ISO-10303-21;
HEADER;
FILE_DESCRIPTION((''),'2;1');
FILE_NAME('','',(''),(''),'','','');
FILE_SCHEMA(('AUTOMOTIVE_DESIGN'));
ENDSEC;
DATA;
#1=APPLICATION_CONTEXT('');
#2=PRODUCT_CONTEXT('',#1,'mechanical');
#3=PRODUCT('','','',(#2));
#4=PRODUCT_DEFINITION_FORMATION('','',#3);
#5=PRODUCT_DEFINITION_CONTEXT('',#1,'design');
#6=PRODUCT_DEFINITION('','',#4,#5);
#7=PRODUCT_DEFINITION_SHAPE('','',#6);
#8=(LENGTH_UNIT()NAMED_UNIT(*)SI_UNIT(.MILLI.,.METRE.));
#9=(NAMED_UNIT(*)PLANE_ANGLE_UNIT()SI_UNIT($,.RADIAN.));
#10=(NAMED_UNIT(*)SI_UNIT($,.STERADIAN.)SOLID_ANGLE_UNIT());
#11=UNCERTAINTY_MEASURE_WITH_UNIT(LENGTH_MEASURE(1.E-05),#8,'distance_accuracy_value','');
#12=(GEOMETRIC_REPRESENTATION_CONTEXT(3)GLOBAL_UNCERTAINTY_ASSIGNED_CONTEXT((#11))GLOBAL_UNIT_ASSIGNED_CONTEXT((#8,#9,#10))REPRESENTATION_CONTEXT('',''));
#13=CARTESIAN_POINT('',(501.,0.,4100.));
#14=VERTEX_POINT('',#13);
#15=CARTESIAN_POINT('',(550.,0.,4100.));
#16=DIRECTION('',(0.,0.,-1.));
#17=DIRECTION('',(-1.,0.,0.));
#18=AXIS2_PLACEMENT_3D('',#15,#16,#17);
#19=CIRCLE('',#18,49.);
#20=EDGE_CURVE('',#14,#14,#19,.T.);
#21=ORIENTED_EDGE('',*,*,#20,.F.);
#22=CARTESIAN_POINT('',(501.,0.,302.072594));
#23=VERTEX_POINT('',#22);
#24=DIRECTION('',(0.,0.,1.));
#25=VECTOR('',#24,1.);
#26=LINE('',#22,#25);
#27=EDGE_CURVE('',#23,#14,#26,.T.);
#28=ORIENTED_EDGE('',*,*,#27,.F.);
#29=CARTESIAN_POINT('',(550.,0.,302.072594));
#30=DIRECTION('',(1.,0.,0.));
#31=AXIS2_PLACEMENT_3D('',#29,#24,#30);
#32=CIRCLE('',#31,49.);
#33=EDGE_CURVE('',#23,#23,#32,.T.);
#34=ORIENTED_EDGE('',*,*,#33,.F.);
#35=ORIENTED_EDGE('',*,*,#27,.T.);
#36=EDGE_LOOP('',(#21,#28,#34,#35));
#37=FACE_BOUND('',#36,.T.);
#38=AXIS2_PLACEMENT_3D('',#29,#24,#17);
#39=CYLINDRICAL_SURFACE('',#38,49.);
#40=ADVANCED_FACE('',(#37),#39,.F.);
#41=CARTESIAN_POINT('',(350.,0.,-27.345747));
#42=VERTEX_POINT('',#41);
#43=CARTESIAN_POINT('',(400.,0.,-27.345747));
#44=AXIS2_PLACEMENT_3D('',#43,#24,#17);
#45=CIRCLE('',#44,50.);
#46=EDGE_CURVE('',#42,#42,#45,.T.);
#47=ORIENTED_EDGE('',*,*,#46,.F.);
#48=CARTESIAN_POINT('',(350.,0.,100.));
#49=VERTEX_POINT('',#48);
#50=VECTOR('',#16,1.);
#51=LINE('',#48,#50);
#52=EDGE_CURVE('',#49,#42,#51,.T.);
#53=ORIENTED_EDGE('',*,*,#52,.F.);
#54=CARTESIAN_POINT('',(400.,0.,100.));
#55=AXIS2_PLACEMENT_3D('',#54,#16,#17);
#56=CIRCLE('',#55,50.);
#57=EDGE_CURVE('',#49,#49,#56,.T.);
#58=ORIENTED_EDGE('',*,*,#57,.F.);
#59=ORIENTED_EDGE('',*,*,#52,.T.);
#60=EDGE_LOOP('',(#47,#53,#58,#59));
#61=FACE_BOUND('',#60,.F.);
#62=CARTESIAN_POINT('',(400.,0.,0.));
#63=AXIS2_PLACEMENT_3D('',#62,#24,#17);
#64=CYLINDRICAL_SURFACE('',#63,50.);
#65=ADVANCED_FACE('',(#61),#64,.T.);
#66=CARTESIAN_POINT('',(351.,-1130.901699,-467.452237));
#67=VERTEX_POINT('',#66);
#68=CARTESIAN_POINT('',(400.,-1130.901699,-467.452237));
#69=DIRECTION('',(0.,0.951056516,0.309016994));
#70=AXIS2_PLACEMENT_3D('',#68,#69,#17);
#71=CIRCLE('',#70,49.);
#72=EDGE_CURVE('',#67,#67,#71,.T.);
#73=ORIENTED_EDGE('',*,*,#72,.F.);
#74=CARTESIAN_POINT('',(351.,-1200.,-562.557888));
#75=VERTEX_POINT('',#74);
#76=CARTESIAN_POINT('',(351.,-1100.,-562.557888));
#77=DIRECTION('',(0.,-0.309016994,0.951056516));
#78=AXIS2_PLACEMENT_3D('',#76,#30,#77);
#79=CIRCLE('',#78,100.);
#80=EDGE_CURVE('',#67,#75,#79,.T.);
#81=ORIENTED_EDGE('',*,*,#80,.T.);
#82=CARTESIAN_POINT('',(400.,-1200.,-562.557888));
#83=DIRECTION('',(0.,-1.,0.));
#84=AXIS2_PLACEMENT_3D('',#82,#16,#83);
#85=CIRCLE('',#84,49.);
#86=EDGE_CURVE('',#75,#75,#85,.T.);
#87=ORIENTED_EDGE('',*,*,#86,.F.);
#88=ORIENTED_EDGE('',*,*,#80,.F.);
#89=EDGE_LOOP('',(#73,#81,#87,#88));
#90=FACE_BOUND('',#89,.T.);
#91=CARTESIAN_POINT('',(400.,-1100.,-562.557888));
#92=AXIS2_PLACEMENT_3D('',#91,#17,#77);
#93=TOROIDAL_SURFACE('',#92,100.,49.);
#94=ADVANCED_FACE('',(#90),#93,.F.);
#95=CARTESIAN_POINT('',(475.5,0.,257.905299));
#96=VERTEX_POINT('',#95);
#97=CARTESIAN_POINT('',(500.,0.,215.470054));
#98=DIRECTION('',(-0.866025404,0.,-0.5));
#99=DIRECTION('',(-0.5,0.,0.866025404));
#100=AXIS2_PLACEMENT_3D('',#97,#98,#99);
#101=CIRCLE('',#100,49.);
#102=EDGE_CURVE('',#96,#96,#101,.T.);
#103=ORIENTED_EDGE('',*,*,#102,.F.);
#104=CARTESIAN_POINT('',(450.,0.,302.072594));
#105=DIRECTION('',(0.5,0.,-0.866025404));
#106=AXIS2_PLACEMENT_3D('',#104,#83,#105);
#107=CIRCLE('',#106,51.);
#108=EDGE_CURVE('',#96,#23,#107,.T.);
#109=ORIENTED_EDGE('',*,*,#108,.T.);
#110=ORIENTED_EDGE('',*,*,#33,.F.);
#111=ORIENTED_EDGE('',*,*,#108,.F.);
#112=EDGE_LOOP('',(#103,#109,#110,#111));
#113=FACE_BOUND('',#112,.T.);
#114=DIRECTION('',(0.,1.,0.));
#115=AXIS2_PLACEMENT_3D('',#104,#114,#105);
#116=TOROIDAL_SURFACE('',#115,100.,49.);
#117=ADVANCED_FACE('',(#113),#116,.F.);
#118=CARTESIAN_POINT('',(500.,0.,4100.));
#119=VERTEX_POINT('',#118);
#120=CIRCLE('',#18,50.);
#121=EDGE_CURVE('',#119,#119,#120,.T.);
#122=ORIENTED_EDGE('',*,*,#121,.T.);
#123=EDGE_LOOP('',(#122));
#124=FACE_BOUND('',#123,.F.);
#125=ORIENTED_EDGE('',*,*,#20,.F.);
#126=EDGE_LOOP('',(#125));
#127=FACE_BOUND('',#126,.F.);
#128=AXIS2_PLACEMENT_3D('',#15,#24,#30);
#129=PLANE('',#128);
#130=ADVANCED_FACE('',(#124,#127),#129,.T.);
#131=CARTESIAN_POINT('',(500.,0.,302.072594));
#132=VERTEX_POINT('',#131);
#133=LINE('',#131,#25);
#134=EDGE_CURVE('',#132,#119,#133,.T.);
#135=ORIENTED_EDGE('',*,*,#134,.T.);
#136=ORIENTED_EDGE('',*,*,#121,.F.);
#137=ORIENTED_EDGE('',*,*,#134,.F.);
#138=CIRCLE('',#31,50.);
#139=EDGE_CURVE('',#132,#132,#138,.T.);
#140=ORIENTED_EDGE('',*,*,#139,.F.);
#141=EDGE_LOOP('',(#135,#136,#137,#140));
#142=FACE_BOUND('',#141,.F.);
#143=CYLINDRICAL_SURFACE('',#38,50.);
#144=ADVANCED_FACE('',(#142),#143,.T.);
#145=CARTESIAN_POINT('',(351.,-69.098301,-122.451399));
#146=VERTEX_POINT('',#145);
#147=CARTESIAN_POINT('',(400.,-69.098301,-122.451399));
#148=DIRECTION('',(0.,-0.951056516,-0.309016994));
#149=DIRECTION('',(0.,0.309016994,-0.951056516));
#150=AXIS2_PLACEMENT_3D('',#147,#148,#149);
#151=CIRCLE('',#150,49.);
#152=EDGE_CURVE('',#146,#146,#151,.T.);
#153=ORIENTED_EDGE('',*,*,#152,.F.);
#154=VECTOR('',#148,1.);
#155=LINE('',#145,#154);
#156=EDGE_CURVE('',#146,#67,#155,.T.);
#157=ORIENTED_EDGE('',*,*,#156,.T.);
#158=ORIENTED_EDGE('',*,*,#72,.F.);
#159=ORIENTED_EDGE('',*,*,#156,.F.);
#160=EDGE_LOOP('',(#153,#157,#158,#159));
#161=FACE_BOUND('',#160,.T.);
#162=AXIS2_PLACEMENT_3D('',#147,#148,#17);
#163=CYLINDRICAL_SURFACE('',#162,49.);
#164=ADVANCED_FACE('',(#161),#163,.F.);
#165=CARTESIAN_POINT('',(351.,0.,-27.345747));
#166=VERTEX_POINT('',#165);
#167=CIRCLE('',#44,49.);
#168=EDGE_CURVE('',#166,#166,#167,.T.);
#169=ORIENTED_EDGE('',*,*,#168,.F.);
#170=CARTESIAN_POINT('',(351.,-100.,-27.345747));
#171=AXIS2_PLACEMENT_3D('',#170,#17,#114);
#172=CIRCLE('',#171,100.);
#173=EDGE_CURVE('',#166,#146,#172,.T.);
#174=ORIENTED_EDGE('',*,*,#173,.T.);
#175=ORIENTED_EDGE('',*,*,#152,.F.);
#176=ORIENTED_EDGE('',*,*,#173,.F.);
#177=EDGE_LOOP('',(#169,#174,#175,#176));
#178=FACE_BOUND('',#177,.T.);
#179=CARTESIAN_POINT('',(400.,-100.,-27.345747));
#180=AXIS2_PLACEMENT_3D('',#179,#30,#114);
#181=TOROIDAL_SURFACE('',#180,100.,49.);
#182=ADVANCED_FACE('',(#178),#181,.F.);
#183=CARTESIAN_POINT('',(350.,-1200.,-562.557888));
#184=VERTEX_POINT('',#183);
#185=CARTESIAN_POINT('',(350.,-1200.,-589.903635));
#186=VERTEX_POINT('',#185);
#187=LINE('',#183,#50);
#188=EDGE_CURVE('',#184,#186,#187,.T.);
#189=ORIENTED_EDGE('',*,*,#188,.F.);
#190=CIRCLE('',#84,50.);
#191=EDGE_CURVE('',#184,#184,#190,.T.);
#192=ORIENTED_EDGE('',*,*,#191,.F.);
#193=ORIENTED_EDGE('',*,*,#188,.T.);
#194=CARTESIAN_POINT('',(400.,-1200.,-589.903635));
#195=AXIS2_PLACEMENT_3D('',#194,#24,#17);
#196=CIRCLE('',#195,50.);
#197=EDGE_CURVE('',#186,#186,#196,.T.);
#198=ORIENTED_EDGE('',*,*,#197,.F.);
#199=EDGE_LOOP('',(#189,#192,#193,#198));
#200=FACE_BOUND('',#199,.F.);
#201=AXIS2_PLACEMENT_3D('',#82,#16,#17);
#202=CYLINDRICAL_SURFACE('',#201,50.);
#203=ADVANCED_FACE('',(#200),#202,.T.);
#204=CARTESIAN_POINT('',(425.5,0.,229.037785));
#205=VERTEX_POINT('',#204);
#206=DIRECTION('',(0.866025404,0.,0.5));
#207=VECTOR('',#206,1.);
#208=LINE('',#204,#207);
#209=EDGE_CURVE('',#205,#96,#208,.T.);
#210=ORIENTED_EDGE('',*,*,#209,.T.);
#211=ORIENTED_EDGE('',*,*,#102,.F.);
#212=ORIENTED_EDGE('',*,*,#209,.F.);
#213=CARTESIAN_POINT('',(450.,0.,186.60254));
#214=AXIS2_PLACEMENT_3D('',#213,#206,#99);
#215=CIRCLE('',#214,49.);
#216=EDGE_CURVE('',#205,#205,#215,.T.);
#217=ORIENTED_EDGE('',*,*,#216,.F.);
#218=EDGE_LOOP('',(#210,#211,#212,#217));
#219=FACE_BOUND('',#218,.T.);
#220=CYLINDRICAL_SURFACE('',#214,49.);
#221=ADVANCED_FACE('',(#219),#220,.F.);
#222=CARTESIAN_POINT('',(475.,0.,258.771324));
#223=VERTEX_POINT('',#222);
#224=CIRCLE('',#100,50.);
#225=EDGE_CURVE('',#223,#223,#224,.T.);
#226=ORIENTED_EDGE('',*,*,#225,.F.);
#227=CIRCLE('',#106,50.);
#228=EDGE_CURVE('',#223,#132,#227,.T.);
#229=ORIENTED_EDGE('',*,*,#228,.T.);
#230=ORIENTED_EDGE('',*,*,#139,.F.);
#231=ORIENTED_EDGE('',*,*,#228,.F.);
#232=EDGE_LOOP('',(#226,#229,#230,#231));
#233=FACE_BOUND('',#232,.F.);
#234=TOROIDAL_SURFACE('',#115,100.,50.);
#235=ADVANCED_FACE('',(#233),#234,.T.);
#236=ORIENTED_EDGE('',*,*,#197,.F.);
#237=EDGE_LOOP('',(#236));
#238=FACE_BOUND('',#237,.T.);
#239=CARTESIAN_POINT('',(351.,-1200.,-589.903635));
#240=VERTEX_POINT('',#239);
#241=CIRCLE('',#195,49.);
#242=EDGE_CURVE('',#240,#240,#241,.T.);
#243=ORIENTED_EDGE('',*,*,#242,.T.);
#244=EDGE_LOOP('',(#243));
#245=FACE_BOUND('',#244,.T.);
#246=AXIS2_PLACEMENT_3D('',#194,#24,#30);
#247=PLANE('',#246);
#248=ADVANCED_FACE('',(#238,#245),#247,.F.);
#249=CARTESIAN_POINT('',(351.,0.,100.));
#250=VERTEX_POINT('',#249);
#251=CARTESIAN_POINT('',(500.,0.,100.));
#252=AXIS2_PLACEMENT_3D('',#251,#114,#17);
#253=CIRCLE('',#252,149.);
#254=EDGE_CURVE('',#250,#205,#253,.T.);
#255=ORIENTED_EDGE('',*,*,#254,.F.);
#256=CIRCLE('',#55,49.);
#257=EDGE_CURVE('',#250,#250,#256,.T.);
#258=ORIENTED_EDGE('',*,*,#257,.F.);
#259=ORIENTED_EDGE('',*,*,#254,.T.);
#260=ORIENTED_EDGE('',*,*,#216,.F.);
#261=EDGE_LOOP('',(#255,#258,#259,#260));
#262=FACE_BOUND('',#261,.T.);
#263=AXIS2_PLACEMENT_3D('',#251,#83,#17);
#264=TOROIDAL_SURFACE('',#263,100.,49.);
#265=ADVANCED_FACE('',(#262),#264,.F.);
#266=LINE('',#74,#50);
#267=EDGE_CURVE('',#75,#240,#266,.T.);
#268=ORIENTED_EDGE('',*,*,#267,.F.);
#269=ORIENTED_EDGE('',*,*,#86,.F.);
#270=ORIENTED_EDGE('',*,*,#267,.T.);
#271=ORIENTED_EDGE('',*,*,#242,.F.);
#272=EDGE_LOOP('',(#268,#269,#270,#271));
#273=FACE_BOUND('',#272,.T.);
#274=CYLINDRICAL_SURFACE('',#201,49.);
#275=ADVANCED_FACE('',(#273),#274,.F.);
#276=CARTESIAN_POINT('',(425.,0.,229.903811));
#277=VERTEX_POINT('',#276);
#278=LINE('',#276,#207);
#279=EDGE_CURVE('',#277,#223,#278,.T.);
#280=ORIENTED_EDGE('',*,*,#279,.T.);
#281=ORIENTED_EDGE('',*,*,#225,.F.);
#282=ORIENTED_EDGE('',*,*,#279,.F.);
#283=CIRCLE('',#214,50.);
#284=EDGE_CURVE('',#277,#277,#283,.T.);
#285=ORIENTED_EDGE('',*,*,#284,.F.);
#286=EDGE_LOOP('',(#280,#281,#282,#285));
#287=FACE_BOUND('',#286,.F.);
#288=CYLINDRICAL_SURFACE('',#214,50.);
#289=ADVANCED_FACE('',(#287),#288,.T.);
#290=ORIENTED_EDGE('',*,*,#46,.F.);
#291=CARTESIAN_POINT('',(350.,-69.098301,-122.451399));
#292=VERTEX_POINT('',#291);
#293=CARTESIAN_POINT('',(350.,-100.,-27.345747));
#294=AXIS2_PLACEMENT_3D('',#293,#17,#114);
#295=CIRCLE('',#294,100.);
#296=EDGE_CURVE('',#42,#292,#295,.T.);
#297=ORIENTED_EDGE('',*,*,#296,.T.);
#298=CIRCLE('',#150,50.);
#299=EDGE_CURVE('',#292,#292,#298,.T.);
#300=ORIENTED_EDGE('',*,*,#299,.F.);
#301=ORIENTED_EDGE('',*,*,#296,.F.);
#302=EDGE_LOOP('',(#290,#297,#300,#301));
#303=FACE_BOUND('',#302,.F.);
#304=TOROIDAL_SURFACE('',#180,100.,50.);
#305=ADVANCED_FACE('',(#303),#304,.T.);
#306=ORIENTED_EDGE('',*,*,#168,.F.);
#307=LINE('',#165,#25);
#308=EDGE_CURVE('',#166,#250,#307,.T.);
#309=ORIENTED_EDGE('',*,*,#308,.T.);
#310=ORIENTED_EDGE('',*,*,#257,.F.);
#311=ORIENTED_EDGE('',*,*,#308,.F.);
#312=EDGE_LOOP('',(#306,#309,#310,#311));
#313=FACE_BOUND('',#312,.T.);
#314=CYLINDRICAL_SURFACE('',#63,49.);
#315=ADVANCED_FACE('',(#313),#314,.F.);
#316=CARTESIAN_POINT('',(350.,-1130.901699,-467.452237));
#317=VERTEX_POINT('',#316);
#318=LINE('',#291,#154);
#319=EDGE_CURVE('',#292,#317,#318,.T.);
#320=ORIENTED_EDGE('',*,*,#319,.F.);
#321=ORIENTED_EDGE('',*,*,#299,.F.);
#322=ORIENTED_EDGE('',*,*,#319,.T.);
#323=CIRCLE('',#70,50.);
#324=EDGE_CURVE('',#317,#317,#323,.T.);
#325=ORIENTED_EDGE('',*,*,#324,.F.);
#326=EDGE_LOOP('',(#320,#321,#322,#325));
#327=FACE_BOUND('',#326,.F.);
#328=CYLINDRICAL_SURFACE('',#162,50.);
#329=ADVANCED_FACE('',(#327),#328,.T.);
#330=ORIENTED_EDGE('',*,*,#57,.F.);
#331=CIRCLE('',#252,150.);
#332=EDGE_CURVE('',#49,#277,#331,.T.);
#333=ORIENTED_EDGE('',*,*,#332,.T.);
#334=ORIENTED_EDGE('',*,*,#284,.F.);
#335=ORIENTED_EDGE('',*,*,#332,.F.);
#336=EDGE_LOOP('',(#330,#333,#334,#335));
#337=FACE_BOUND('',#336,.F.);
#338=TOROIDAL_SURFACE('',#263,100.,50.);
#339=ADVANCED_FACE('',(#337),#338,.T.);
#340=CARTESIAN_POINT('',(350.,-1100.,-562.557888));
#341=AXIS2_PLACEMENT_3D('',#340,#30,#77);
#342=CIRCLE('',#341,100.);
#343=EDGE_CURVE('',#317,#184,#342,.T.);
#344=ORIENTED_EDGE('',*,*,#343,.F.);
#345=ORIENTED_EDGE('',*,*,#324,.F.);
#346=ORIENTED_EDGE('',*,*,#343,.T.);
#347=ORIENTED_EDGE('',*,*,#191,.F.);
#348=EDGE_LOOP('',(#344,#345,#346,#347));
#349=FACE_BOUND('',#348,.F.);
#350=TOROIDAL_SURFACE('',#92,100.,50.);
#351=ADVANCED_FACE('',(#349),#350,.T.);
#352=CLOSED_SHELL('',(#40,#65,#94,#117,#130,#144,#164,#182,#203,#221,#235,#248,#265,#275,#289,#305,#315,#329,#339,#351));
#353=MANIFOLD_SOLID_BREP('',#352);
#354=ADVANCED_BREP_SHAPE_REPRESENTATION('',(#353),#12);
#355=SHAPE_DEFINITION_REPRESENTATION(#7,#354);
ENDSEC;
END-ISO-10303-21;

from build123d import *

# Parameters (mm, degrees)
F1_R        = 50
F1_R_2      = 49
F2_FACE_R   = 50
F2_FACE_R_2 = 49


with BuildPart() as f2:
    # F2: sweep along a path in F0
    with BuildLine(Plane.YZ) as f2_path:
        Line((0, 0), (0, -27.3457471995))
        ThreePointArc((0, -27.3457471995), (-19.0983005625, -86.1242724287), (-69.0983005625, -122.451398829))
        Line((-69.0983005625, -122.451398829), (-1130.9016994375, -467.4522366505))
        ThreePointArc((-1130.9016994375, -467.4522366505), (-1180.9016994375, -503.7793630508), (-1200, -562.55788828))
        Line((-1200, -562.55788828), (-1200, -589.9036354795))
    # F1 (on Top) → F2 (sweep)
    with BuildSketch(Plane.XY):
        Circle(F1_R)
        Circle(F1_R_2, mode=Mode.SUBTRACT)
    sweep(path=f2_path.line)

    # F4: sweep along a path in F3
    with BuildLine(Plane.XZ) as f4_path:
        Line((0, 0), (0, 100))
        ThreePointArc((0, 100), (-13.3974596216, 150), (-50, 186.6025403784))
        Line((-50, 186.6025403784), (-100, 215.4700538379))
        ThreePointArc((-100, 215.4700538379), (-136.6025403784, 252.0725942164), (-150, 302.0725942164))
        Line((-150, 302.0725942164), (-150, 4100))
    # F2_face (on face) → F4 (sweep)
    with BuildSketch(Plane.XY):
        Circle(F2_FACE_R)
        Circle(F2_FACE_R_2, mode=Mode.SUBTRACT)
    sweep(path=f4_path.line)


with BuildPart() as f6_1:
    # F6: instance of F2
    add(f2.part.mirror(Plane.YZ.offset(200)))


solid = f6_1.part
